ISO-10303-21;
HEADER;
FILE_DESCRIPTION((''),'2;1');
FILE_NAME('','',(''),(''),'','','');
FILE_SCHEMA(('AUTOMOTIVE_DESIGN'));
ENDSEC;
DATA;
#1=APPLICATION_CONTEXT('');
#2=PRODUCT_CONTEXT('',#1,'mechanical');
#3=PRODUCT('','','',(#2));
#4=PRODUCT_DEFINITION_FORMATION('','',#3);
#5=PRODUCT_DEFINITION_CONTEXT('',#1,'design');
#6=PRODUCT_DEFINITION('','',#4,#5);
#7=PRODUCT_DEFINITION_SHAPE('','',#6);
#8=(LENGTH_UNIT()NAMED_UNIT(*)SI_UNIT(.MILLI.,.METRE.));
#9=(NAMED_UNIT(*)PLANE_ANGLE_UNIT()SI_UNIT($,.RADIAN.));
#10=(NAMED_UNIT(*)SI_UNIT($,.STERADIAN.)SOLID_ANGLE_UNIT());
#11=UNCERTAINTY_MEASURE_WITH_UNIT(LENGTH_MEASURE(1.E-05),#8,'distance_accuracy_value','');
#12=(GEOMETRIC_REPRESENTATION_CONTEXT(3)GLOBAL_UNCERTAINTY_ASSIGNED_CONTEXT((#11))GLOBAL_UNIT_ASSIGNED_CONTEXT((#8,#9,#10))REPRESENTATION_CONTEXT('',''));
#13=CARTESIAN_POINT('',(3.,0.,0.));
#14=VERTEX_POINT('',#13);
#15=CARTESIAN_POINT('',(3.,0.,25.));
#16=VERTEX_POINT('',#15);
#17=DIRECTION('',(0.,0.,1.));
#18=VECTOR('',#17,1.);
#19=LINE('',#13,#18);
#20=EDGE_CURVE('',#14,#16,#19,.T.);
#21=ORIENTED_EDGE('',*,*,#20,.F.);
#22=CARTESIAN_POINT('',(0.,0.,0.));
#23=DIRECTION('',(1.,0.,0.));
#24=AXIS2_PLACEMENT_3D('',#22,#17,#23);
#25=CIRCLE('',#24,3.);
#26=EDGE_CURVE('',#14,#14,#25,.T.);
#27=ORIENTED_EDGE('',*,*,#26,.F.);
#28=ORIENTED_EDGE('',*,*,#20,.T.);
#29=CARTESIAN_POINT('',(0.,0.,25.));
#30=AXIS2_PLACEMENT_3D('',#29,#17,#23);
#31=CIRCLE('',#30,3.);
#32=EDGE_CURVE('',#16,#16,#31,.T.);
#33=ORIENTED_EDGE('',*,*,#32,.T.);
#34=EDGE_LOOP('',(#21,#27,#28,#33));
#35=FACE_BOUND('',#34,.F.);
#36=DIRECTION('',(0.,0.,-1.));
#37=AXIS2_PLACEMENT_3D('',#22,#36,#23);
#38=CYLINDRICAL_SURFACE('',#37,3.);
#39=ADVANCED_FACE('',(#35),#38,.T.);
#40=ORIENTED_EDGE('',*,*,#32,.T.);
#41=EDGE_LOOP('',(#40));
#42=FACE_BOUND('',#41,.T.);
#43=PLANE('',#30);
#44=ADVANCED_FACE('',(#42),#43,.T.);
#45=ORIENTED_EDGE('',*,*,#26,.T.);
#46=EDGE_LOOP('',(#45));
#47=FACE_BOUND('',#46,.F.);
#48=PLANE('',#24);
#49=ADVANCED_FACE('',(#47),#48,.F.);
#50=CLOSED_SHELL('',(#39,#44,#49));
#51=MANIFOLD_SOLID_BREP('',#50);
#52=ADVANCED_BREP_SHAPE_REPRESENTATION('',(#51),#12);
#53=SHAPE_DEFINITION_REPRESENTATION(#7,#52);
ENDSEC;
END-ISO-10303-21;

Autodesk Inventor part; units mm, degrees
ref_plane "YZ Plane" through (0, 0, 0) normal (1, 0, 0) x (0, 1, 0)
ref_plane "XZ Plane" through (0, 0, 0) normal (0, 1, 0) x (-1, 0, 0)
ref_plane "XY Plane" through (0, 0, 0) normal (0, 0, 1) x (1, 0, 0)
sketch "Sketch1" plane through (0, 0, 0) normal (0, 0, 1) x (1, 0, 0)
  circle A0 centre (0, 0) radius 3
  dimension "d2" = 6
extrude "Extrusion1" add sketch "Sketch1" along normal blind 25
equation "\"d2\" = cabel_roller_ID"
equation "\"d0\" = cabel_rod_length"
equation "\"cabel_roller_ID\" = 6"
equation "\"cabel_rod_length\" = 25"
properties part number "roller_shaft"
